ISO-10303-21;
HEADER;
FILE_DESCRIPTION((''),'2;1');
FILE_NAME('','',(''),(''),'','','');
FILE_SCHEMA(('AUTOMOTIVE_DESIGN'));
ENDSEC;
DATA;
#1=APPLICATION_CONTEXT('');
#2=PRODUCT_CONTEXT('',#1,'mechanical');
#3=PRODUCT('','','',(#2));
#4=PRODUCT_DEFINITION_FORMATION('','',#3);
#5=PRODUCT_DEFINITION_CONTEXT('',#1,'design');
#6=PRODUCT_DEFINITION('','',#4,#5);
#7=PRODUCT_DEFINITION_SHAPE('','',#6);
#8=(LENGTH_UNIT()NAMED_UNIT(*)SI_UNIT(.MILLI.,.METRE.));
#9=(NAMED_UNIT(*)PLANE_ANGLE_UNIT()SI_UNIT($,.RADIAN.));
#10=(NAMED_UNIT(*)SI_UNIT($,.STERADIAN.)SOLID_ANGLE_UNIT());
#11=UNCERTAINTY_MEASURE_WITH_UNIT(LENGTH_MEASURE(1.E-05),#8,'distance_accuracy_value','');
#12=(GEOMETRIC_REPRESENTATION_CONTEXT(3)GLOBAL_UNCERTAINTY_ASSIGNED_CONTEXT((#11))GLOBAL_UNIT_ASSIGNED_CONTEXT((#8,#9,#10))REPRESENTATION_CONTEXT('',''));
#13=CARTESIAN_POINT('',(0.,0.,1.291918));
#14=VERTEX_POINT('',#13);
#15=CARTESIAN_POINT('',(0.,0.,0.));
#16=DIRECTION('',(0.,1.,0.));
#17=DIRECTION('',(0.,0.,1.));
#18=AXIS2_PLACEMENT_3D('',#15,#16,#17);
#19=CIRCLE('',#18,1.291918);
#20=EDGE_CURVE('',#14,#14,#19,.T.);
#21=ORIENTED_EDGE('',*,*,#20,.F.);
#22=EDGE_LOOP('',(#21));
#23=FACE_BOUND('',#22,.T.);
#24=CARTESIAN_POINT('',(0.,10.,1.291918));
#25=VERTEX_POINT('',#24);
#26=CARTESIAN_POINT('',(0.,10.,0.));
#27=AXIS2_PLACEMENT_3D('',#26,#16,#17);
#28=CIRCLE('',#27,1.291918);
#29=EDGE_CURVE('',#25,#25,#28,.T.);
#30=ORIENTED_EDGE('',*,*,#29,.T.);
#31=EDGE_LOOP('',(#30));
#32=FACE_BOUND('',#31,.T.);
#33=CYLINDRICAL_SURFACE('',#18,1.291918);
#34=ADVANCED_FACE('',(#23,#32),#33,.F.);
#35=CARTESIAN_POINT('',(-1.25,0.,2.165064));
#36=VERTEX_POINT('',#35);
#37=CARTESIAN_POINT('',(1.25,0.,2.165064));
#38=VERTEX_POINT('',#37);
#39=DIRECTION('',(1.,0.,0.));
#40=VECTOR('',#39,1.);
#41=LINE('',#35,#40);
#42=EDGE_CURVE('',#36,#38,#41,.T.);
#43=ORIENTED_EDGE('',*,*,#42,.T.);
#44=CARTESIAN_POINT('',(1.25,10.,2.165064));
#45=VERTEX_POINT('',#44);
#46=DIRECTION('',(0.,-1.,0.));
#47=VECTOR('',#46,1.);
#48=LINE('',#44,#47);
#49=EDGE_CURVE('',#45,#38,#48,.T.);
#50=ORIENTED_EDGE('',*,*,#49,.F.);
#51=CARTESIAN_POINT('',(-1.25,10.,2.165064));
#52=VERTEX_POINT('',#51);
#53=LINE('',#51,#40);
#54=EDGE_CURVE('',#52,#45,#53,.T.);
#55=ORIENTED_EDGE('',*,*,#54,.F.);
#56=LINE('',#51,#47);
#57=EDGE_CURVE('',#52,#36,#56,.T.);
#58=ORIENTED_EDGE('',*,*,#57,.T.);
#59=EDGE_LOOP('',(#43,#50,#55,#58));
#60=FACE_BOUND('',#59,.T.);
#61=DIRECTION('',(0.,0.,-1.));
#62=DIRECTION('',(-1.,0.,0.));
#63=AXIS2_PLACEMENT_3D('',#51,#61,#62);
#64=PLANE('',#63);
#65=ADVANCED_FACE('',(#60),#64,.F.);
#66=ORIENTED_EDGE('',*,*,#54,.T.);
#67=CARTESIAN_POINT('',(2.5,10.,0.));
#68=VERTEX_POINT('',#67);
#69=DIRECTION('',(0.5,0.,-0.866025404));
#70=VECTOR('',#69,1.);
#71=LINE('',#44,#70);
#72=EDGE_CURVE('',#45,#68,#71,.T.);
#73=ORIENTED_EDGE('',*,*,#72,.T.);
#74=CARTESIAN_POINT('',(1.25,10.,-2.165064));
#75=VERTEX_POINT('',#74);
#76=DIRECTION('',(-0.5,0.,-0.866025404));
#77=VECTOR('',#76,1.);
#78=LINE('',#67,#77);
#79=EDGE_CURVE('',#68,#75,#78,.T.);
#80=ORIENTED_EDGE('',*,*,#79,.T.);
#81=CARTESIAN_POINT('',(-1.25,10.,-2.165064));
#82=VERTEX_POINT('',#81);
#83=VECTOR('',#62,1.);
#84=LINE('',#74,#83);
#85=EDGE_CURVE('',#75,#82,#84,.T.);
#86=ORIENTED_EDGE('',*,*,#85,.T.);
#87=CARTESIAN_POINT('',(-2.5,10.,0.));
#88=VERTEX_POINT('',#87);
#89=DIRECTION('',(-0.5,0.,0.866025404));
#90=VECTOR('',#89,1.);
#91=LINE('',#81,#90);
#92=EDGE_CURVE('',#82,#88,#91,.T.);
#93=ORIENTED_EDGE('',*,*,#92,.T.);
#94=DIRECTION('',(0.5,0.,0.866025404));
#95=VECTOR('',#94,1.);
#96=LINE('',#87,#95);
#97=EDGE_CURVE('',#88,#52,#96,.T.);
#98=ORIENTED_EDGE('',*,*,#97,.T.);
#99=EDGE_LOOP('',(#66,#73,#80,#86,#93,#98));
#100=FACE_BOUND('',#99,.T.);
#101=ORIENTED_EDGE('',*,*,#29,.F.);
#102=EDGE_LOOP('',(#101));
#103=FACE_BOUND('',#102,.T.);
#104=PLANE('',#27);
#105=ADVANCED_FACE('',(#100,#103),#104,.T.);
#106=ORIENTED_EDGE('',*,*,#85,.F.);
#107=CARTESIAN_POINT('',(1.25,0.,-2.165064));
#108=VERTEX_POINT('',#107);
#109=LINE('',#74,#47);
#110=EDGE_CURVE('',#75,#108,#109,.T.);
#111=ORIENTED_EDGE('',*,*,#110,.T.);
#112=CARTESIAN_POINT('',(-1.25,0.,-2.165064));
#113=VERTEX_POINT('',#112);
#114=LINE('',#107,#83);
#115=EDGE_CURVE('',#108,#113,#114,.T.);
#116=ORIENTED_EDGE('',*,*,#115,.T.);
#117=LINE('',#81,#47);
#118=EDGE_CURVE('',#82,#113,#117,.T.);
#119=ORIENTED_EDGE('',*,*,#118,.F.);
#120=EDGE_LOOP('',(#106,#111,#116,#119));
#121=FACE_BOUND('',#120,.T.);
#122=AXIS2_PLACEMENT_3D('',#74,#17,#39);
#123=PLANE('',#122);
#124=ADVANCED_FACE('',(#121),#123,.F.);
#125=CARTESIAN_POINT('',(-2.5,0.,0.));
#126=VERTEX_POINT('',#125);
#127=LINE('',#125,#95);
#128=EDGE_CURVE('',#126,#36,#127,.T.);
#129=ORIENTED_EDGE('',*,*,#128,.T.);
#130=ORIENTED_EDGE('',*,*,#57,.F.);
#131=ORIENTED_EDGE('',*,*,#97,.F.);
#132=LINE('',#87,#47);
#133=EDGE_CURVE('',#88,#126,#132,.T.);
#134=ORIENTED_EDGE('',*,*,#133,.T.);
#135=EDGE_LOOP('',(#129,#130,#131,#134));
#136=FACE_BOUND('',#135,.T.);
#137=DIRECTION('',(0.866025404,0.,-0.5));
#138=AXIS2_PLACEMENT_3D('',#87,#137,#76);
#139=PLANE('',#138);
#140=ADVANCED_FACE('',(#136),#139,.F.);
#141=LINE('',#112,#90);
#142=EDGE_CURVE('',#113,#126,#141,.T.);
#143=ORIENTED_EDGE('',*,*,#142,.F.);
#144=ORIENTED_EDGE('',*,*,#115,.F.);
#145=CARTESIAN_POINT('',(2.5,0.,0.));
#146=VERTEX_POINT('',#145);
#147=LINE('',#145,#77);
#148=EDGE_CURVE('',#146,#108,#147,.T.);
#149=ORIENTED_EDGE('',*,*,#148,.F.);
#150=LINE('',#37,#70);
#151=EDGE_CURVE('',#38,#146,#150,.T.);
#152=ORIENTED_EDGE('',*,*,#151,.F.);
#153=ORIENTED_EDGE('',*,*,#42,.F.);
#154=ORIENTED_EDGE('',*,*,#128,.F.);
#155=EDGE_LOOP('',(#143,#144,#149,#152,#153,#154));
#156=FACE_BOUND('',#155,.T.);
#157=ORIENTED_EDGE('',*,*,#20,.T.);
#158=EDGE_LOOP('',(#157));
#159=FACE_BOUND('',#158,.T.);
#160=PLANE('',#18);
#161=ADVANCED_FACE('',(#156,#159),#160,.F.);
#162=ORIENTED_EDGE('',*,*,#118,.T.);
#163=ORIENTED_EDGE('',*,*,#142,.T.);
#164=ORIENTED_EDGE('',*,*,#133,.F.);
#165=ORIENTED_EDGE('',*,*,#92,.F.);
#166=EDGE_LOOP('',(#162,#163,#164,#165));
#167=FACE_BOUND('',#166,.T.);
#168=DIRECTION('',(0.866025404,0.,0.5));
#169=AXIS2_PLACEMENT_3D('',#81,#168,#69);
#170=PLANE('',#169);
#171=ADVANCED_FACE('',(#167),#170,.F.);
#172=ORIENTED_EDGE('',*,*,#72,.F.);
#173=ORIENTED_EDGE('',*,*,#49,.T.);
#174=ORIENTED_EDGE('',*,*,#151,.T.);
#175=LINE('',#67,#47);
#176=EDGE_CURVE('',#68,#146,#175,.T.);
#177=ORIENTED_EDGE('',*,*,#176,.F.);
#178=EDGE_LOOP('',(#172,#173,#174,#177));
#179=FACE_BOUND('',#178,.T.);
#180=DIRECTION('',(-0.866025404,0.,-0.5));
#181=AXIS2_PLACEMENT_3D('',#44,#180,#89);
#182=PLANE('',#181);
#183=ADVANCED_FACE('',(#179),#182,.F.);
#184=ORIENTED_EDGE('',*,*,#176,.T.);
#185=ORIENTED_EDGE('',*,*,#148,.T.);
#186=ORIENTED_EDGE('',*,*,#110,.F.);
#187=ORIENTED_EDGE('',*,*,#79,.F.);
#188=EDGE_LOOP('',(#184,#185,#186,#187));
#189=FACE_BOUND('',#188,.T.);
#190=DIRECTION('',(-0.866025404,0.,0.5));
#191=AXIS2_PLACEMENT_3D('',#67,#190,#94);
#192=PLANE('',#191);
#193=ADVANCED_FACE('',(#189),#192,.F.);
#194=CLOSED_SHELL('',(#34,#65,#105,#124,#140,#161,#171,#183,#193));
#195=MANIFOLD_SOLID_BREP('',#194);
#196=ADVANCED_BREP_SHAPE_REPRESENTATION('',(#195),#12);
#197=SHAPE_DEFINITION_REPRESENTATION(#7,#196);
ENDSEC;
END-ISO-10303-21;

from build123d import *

# Parameters (mm, degrees)
BOSS_EXTRUDE1_DEPTH = 10
SKETCH2_R           = 1.291917854
CUT_EXTRUDE1_DEPTH  = 11


with BuildPart() as part:
    # Sketch1 → Boss-Extrude1 (new body)
    with BuildSketch(Plane(origin=(0, 0, 0), x_dir=(1, 0, 0), z_dir=(0, 1, 0))):
        Polygon((2.5, 0), (1.25, 2.165063509), (-1.25, 2.165063509), (-2.5, 0), (-1.25, -2.165063509), (1.25, -2.165063509), align=None)
    extrude(amount=BOSS_EXTRUDE1_DEPTH)

    # Sketch2 → Cut-Extrude1 (cut, through all)
    with BuildSketch(Plane(origin=(0, 10, 0), x_dir=(1, 0, 0), z_dir=(0, 1, 0))):
        Circle(SKETCH2_R)
    extrude(amount=-CUT_EXTRUDE1_DEPTH, mode=Mode.SUBTRACT)


solid = part.part
